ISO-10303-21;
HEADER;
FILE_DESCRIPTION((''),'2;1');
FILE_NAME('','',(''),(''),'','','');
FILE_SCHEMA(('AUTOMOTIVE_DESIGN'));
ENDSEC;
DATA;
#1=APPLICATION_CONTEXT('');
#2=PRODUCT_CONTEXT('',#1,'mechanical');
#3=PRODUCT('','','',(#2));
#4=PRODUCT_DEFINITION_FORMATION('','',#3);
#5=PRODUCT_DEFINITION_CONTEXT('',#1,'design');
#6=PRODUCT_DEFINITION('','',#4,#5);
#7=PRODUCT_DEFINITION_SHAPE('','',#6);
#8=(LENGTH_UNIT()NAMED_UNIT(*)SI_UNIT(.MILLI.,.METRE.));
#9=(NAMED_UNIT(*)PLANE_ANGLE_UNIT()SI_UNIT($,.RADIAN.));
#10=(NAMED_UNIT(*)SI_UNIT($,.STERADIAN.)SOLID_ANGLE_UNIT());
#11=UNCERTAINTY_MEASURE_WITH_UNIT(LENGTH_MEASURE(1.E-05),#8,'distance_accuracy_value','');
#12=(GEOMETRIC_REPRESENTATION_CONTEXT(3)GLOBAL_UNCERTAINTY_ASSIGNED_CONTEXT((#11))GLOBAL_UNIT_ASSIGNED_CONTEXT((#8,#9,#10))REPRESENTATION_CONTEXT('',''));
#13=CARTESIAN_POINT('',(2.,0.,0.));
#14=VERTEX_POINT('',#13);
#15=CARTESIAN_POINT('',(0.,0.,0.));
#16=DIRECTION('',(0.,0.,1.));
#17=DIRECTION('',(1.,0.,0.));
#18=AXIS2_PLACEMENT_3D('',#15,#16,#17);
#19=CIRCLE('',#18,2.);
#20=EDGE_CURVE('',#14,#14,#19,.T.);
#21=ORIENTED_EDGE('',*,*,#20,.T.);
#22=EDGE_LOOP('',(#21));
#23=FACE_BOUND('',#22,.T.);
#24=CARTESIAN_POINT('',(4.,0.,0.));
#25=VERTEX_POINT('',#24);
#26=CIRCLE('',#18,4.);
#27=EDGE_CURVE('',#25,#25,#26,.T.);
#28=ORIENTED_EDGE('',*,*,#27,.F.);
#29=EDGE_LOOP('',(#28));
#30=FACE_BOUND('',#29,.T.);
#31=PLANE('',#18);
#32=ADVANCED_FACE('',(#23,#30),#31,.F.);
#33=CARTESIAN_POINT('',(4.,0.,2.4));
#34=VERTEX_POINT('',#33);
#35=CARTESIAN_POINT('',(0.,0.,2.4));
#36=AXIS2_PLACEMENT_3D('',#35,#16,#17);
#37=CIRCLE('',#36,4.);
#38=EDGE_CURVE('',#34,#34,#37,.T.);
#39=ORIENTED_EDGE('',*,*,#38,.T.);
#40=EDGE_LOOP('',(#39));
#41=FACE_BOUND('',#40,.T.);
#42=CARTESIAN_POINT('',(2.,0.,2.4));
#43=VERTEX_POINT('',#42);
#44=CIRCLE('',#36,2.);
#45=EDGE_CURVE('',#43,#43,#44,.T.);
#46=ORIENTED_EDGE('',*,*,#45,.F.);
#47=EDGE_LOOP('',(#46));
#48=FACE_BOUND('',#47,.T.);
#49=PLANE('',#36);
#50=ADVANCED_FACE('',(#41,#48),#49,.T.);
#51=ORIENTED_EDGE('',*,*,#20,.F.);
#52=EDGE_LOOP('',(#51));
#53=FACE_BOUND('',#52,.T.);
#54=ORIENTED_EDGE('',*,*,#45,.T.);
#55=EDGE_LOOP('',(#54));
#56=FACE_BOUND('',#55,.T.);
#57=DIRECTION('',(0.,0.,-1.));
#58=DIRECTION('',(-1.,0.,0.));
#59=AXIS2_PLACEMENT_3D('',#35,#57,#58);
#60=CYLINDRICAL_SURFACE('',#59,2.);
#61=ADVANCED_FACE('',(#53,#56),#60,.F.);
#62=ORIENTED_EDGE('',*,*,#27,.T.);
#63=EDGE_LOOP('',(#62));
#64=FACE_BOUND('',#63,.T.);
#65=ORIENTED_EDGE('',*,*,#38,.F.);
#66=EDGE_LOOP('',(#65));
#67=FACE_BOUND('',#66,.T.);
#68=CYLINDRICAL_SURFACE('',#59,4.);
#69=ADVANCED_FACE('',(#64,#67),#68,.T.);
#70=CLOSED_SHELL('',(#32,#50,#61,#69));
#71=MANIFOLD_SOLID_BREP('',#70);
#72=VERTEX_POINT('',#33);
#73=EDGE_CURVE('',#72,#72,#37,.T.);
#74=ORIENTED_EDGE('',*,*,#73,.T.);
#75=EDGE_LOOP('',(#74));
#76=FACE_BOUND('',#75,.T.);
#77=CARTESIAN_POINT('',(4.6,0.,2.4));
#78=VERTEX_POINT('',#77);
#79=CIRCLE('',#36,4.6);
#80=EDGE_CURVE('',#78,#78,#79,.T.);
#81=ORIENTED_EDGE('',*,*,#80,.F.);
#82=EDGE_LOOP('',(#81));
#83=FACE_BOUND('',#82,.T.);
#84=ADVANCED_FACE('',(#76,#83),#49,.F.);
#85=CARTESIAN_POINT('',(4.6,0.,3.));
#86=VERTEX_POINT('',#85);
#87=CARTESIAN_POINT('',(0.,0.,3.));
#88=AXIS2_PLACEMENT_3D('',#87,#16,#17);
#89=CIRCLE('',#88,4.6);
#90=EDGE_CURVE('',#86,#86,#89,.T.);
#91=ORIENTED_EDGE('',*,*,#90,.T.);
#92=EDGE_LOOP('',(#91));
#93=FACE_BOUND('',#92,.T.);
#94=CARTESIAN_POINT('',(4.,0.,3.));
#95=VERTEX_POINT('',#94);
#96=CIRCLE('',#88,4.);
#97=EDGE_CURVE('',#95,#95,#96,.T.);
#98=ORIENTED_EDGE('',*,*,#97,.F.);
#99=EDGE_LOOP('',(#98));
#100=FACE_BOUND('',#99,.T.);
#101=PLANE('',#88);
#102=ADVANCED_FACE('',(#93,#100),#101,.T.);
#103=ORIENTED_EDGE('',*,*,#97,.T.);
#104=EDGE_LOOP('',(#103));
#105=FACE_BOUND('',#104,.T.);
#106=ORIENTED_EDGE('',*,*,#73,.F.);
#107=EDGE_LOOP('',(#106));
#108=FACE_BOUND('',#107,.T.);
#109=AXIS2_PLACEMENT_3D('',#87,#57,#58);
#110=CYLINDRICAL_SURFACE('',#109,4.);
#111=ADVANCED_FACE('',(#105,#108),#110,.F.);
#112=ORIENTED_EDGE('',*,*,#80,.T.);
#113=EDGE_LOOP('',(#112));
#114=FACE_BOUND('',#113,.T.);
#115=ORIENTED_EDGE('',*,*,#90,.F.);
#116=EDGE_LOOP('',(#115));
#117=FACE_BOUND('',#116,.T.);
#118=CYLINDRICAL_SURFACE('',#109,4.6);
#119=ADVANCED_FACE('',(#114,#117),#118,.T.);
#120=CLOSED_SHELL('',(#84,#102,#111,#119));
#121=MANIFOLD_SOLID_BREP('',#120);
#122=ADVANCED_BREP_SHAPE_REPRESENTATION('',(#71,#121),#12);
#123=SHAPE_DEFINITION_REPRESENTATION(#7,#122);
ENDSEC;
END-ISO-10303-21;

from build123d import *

# Parameters (mm, degrees)
IZIM1_R                     = 4
IZIM1_R_2                   = 2
Y_KSEKLIK_EKSTR_ZYON1_DEPTH = 2.4
IZIM2_R                     = 4.6
IZIM2_R_2                   = 4
Y_KSEKLIK_EKSTR_ZYON2_DEPTH = 0.6


with BuildPart() as part:
    # Çizim1 → Yükseklik-Ekstrüzyon1 (new body)
    with BuildSketch(Plane.XY):
        Circle(IZIM1_R)
        Circle(IZIM1_R_2, mode=Mode.SUBTRACT)
    extrude(amount=Y_KSEKLIK_EKSTR_ZYON1_DEPTH)


with BuildPart() as body_2:
    # Çizim2 → Yükseklik-Ekstrüzyon2 (new body)
    with BuildSketch(Plane.XY.offset(2.4)):
        Circle(IZIM2_R)
        Circle(IZIM2_R_2, mode=Mode.SUBTRACT)
    extrude(amount=Y_KSEKLIK_EKSTR_ZYON2_DEPTH)


solid = Compound([part.part, body_2.part])
